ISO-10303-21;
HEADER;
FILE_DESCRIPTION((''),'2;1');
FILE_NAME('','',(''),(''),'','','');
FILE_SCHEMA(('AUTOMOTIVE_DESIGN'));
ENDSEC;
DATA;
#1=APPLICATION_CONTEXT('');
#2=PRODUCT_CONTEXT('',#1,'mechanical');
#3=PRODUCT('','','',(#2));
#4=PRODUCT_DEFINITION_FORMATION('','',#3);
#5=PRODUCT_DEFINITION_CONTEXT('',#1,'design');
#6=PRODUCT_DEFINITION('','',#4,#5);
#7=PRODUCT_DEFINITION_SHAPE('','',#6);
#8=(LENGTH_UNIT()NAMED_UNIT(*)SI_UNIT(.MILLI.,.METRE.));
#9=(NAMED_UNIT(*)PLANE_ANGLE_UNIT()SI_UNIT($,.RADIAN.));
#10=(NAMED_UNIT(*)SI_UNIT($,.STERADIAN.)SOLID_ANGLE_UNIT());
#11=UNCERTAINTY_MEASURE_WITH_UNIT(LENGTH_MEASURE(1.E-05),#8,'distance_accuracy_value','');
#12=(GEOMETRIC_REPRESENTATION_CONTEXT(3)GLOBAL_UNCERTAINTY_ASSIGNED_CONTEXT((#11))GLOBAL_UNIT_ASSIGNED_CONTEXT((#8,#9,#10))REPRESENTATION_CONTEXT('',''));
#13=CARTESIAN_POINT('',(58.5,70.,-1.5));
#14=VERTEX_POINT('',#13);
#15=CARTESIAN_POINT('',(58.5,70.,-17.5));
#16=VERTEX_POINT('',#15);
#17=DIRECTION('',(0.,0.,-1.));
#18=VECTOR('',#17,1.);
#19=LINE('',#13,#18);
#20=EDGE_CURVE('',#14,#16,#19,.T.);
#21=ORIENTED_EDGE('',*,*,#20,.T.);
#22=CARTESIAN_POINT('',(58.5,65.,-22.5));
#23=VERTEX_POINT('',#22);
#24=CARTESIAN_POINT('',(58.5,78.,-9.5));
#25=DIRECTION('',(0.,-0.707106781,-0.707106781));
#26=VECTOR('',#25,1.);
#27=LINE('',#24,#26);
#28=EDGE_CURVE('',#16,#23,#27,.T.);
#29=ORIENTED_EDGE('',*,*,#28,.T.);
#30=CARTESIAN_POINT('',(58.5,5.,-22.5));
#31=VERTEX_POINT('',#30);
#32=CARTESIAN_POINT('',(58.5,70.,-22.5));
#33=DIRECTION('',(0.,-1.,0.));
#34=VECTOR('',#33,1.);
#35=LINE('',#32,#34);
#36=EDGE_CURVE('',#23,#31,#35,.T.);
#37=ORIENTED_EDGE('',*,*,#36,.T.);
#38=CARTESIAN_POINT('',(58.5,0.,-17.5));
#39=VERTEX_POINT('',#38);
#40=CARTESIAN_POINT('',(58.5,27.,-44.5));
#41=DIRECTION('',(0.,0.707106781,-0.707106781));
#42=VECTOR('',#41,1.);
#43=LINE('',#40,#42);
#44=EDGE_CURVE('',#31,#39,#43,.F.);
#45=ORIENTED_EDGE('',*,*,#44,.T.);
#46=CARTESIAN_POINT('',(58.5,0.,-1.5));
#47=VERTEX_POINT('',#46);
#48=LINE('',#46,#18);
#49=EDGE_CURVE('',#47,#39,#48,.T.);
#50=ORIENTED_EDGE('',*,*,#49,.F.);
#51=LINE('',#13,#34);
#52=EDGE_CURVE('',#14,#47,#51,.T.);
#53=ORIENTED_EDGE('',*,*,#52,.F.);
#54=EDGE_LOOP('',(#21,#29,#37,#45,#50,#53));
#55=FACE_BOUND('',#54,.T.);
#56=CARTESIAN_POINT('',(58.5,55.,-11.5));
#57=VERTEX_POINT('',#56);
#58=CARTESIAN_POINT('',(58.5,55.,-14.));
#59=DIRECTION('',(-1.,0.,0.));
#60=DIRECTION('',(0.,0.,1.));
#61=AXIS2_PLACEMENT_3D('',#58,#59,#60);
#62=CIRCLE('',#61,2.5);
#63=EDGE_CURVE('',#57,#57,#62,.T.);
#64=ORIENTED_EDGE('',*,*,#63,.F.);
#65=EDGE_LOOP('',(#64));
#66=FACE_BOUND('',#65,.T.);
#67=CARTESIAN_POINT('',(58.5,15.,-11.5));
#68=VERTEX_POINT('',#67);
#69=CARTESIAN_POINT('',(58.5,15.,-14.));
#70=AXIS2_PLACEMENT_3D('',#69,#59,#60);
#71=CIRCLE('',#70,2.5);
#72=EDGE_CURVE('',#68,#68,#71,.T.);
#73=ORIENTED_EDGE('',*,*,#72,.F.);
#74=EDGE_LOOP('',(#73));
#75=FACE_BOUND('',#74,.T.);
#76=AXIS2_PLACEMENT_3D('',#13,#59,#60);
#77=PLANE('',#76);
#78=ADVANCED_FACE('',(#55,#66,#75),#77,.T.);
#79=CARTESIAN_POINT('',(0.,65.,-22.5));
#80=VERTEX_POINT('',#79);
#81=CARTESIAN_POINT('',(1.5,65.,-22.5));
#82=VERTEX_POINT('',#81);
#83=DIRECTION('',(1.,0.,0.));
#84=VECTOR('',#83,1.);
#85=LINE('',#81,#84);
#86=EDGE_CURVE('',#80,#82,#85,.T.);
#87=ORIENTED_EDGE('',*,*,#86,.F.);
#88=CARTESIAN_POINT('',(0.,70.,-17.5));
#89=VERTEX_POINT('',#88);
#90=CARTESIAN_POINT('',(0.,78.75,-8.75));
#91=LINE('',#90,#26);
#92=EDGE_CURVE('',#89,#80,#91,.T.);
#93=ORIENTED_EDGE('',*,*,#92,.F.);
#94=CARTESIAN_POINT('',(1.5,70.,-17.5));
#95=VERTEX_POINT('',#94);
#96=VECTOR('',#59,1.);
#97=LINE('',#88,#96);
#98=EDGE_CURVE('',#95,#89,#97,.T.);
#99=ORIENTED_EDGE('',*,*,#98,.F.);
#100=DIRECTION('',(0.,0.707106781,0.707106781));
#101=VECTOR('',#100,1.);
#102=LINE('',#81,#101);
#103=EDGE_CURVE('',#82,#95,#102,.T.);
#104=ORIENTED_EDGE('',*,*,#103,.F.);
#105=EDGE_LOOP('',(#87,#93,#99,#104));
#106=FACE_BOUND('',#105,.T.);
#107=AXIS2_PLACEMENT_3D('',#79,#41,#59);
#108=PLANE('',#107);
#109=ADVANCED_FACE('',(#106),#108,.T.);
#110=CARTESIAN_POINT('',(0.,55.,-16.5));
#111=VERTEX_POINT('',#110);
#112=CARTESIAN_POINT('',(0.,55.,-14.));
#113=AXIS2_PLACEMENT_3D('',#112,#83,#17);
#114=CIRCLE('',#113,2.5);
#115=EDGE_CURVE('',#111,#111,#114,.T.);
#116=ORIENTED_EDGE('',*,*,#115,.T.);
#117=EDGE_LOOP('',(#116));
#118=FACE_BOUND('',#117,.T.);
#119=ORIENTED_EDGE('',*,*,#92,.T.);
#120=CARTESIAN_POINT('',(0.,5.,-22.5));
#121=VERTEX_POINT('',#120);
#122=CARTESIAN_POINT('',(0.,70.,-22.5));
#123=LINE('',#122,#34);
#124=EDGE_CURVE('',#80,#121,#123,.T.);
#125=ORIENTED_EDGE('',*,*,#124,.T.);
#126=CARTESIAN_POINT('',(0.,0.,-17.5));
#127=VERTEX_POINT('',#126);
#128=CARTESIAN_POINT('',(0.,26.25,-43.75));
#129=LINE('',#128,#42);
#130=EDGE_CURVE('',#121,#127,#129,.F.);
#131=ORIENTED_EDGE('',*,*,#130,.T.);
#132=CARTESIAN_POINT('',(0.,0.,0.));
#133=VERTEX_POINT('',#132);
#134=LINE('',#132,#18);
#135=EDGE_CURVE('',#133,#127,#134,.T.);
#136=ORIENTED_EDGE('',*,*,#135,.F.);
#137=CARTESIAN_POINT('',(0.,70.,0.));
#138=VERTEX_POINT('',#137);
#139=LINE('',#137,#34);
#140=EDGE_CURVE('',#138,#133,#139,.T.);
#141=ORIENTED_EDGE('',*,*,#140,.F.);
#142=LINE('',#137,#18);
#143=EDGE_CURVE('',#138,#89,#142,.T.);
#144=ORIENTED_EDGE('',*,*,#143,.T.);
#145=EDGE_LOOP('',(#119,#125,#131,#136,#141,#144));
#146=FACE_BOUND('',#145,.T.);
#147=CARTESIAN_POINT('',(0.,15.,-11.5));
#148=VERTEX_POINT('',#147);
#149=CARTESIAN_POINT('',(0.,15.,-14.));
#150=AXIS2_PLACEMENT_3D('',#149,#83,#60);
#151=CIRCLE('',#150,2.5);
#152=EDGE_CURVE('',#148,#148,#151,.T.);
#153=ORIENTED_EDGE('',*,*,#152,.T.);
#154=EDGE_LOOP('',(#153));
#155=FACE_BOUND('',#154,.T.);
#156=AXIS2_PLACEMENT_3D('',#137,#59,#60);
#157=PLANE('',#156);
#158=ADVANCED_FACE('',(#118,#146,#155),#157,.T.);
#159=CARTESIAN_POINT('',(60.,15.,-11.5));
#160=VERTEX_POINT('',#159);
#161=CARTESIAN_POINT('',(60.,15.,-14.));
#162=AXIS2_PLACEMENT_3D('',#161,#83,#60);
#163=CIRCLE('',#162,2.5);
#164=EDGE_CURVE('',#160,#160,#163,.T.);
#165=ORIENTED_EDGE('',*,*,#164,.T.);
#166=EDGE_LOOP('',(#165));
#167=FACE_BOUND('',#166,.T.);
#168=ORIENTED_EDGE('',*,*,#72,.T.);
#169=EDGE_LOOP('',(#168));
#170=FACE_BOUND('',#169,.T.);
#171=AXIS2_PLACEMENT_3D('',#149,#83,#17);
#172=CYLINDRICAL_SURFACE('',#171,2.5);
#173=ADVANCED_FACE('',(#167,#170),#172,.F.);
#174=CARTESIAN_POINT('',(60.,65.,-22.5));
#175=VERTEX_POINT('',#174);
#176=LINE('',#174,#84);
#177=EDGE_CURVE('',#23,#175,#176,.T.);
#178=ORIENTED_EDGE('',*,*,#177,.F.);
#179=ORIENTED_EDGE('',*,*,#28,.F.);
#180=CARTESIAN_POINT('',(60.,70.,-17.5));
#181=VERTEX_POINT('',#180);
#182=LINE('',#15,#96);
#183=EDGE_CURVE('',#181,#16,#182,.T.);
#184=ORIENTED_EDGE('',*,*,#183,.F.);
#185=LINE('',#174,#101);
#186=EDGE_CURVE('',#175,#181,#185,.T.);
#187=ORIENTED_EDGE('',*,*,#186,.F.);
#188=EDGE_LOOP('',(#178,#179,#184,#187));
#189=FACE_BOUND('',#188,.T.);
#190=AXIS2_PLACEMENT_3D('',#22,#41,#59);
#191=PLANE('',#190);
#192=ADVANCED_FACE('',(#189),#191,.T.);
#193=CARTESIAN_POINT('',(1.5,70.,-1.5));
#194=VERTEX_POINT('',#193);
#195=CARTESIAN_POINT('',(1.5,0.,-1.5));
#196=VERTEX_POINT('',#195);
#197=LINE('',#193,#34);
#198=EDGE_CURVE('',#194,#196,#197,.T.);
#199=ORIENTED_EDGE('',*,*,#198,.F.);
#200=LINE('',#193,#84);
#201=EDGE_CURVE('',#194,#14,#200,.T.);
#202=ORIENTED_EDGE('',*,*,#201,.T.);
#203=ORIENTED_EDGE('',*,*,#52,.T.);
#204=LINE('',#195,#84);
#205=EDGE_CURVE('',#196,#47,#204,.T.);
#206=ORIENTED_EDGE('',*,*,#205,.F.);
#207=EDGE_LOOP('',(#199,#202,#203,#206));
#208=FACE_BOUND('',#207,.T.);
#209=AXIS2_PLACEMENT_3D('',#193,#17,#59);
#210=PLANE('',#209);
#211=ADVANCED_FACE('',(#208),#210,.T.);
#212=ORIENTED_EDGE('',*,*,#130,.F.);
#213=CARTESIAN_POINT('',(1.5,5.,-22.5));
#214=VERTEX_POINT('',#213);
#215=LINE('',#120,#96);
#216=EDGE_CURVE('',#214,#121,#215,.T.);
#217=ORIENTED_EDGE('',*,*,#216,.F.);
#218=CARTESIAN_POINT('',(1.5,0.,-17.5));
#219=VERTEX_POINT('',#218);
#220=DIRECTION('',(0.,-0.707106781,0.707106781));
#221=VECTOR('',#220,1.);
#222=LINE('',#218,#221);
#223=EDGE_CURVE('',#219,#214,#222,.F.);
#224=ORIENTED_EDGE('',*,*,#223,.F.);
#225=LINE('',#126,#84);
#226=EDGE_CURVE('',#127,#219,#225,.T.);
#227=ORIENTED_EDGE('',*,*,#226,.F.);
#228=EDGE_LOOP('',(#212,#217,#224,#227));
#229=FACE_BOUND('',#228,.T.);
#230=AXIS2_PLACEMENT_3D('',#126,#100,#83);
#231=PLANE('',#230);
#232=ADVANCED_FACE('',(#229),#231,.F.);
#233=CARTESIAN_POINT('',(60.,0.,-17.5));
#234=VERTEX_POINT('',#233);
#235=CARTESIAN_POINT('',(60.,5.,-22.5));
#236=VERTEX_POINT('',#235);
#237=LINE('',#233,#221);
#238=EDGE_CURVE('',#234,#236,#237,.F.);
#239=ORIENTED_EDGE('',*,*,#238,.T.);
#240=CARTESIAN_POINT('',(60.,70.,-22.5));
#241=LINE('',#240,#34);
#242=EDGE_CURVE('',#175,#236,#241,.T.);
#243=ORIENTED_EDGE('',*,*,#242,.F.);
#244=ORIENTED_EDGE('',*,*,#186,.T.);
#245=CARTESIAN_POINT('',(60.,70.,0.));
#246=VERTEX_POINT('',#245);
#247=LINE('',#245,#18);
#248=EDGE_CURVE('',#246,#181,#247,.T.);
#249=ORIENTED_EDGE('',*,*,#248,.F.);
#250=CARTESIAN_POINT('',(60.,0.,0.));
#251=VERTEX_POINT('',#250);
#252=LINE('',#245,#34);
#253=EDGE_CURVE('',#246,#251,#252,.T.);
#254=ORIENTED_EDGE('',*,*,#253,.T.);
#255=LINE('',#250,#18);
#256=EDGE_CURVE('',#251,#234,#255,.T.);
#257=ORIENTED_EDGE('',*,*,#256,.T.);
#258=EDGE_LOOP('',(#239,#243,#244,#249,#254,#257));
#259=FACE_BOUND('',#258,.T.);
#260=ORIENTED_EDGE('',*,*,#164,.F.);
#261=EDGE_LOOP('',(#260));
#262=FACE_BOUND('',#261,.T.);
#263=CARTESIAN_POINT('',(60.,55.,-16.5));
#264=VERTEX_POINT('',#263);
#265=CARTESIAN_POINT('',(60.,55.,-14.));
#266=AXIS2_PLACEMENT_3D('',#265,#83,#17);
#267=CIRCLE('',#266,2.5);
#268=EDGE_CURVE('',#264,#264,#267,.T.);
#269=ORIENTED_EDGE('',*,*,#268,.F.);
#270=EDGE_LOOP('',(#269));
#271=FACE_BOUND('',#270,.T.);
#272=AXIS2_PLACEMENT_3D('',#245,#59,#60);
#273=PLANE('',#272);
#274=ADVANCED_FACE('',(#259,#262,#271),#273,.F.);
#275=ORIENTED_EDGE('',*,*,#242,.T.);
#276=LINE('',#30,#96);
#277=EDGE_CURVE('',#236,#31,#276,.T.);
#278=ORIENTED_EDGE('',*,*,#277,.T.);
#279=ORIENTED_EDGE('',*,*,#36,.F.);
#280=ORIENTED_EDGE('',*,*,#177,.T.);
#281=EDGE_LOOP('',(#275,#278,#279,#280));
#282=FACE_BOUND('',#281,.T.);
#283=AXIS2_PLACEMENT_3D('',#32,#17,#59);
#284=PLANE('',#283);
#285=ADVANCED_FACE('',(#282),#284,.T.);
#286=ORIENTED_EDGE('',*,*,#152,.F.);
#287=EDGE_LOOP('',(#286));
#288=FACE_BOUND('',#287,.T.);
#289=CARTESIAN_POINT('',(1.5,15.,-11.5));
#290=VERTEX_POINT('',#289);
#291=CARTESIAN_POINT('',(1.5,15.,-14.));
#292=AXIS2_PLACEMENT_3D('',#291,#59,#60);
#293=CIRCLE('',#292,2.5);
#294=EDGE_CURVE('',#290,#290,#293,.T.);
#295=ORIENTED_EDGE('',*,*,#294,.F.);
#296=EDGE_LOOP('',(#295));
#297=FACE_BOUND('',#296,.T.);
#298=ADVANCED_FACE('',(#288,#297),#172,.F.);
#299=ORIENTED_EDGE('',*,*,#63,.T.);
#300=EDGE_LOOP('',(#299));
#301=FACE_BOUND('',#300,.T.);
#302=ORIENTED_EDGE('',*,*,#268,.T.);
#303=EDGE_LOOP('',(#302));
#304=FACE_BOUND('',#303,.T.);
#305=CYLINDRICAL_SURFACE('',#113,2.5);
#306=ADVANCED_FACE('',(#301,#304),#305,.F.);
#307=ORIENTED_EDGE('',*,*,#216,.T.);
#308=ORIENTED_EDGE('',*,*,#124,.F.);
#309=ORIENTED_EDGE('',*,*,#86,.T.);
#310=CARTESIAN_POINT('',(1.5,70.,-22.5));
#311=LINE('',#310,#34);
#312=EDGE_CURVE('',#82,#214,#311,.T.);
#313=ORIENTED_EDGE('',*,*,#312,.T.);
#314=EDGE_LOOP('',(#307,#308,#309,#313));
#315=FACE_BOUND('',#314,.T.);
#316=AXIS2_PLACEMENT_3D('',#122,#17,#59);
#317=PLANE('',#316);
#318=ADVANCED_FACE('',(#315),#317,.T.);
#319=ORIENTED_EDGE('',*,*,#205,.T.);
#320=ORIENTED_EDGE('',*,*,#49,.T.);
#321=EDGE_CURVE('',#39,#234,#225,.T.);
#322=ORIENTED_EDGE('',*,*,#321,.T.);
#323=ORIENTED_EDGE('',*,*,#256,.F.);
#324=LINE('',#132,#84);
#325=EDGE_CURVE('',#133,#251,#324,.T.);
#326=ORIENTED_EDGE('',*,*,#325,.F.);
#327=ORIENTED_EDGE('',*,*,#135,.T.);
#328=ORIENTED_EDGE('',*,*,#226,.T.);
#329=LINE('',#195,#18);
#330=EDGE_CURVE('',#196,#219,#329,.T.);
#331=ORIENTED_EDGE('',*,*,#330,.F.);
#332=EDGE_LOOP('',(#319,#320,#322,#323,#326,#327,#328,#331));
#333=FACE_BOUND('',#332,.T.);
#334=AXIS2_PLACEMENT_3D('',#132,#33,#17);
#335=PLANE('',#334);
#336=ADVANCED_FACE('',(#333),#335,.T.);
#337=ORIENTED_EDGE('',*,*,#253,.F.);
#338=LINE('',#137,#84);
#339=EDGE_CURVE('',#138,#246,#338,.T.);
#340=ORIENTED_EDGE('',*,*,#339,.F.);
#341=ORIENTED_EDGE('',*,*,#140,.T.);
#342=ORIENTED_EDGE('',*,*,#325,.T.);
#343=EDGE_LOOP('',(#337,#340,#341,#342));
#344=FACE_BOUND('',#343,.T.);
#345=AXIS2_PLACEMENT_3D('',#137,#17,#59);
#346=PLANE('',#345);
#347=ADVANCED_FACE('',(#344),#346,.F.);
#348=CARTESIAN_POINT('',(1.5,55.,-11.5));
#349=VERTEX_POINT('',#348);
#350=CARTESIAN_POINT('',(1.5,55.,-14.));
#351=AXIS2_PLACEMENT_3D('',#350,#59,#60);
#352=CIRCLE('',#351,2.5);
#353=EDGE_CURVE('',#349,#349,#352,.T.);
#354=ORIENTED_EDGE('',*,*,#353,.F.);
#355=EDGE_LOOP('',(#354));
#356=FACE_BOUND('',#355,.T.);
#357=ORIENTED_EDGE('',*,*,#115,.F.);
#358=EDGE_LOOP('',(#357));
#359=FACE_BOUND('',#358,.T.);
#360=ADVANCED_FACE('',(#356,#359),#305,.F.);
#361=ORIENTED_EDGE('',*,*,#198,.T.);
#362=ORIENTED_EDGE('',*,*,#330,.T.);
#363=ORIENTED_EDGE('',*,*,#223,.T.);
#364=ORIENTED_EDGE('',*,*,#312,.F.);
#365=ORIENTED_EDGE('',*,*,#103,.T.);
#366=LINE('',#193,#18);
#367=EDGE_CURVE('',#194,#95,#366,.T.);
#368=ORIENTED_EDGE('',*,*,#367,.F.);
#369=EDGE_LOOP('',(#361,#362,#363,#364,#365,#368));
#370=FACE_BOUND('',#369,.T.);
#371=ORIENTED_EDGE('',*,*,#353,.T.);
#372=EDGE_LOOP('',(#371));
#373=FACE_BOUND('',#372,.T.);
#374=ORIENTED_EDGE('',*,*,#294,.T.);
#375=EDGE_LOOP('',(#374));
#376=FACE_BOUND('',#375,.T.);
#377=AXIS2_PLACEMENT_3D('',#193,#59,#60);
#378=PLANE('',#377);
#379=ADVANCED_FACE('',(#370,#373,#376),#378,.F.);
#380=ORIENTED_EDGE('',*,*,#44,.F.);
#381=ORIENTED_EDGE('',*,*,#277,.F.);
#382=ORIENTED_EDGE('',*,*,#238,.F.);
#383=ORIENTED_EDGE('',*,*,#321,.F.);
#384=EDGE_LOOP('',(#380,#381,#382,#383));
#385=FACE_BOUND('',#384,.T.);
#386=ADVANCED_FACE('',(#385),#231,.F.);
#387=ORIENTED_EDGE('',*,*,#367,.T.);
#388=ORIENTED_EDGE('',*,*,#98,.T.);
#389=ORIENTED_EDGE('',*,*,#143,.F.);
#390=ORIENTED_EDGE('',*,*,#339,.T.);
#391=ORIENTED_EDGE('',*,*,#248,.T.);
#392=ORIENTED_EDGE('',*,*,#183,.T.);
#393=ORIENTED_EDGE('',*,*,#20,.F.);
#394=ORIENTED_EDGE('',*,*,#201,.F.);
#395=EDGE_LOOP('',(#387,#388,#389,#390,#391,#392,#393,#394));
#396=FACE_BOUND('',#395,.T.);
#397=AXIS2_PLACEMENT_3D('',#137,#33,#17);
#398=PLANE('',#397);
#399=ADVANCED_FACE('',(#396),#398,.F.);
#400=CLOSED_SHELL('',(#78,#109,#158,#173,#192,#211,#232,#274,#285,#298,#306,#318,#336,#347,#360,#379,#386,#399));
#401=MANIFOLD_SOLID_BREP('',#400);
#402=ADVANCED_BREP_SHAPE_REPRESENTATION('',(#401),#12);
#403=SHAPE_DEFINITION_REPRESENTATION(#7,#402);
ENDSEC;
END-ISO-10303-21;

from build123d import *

# Parameters (mm, degrees)
BOSS_EXTRUDE1_DEPTH = 70
SKETCH3_R           = 2.5
CUT_EXTRUDE1_DEPTH  = 60
CHAMFER1_SIZE       = 5


with BuildPart() as part:
    # Sketch1 → Boss-Extrude1 (new body)
    with BuildSketch(Plane(origin=(0, 0, 0), x_dir=(1, 0, 0), z_dir=(0, 1, 0))):
        Polygon((0, 0), (60, 0), (60, 22.5), (58.5, 22.5), (58.5, 1.5), (1.5, 1.5), (1.5, 22.5), (0, 22.5), align=None)
    extrude(amount=BOSS_EXTRUDE1_DEPTH)

    # Sketch3 → Cut-Extrude1 (cut)
    with BuildSketch(Plane(origin=(60, 0, 0), x_dir=(0, 0, -1), z_dir=(1, 0, 0))):
        with Locations((14, 55)):
            Circle(SKETCH3_R)
        with Locations(Location((14, 15, 0), (0, 0, 180))):
            Circle(SKETCH3_R)
    extrude(amount=-CUT_EXTRUDE1_DEPTH, mode=Mode.SUBTRACT)

    # Chamfer1
    chamfer1_edges = [part.edges().sort_by_distance(p)[0] for p in [
        (0.75, 0, -22.5),
        (59.25, 70, -22.5),
        (0.75, 70, -22.5),
        (59.25, 0, -22.5),
    ]]
    chamfer(chamfer1_edges, length=CHAMFER1_SIZE)


solid = part.part
